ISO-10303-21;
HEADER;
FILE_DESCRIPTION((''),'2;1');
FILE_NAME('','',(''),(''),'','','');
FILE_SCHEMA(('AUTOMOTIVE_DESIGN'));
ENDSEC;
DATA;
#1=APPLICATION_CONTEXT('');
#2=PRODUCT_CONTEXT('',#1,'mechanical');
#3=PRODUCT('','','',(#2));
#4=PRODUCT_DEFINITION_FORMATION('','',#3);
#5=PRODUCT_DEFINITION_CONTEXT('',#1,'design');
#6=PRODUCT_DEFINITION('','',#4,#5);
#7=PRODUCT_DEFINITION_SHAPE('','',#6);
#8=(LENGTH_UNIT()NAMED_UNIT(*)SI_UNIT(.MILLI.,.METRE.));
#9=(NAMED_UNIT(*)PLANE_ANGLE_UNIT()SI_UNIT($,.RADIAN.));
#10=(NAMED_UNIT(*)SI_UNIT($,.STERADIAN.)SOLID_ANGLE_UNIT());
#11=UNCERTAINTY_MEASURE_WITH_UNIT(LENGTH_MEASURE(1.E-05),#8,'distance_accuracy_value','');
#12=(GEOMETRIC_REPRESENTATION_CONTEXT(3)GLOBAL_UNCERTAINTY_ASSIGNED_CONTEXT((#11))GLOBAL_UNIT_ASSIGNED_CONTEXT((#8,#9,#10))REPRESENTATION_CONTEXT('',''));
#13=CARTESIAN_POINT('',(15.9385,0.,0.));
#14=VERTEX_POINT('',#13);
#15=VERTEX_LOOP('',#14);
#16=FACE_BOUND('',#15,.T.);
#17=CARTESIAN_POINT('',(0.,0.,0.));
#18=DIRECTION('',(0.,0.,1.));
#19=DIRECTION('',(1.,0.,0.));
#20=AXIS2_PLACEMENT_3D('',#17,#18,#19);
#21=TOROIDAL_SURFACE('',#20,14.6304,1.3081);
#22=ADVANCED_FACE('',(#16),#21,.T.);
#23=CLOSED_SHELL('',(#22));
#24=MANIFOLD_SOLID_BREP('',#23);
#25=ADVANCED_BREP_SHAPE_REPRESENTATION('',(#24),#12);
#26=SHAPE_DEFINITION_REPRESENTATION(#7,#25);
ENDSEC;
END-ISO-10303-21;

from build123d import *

# Parameters (mm, degrees)
SKETCH1_R = 1.3081


with BuildPart() as part:
    # Sketch1 → Revolve1 (revolve)
    with BuildSketch(Plane(origin=(0, 0, 0), x_dir=(0, -1, 0), z_dir=(1, 0, 0))):
        with Locations((14.6304, 0)):
            Circle(SKETCH1_R)
    revolve(axis=Axis((0, 0, 1.3081), (0, 0, -1)))


solid = part.part
